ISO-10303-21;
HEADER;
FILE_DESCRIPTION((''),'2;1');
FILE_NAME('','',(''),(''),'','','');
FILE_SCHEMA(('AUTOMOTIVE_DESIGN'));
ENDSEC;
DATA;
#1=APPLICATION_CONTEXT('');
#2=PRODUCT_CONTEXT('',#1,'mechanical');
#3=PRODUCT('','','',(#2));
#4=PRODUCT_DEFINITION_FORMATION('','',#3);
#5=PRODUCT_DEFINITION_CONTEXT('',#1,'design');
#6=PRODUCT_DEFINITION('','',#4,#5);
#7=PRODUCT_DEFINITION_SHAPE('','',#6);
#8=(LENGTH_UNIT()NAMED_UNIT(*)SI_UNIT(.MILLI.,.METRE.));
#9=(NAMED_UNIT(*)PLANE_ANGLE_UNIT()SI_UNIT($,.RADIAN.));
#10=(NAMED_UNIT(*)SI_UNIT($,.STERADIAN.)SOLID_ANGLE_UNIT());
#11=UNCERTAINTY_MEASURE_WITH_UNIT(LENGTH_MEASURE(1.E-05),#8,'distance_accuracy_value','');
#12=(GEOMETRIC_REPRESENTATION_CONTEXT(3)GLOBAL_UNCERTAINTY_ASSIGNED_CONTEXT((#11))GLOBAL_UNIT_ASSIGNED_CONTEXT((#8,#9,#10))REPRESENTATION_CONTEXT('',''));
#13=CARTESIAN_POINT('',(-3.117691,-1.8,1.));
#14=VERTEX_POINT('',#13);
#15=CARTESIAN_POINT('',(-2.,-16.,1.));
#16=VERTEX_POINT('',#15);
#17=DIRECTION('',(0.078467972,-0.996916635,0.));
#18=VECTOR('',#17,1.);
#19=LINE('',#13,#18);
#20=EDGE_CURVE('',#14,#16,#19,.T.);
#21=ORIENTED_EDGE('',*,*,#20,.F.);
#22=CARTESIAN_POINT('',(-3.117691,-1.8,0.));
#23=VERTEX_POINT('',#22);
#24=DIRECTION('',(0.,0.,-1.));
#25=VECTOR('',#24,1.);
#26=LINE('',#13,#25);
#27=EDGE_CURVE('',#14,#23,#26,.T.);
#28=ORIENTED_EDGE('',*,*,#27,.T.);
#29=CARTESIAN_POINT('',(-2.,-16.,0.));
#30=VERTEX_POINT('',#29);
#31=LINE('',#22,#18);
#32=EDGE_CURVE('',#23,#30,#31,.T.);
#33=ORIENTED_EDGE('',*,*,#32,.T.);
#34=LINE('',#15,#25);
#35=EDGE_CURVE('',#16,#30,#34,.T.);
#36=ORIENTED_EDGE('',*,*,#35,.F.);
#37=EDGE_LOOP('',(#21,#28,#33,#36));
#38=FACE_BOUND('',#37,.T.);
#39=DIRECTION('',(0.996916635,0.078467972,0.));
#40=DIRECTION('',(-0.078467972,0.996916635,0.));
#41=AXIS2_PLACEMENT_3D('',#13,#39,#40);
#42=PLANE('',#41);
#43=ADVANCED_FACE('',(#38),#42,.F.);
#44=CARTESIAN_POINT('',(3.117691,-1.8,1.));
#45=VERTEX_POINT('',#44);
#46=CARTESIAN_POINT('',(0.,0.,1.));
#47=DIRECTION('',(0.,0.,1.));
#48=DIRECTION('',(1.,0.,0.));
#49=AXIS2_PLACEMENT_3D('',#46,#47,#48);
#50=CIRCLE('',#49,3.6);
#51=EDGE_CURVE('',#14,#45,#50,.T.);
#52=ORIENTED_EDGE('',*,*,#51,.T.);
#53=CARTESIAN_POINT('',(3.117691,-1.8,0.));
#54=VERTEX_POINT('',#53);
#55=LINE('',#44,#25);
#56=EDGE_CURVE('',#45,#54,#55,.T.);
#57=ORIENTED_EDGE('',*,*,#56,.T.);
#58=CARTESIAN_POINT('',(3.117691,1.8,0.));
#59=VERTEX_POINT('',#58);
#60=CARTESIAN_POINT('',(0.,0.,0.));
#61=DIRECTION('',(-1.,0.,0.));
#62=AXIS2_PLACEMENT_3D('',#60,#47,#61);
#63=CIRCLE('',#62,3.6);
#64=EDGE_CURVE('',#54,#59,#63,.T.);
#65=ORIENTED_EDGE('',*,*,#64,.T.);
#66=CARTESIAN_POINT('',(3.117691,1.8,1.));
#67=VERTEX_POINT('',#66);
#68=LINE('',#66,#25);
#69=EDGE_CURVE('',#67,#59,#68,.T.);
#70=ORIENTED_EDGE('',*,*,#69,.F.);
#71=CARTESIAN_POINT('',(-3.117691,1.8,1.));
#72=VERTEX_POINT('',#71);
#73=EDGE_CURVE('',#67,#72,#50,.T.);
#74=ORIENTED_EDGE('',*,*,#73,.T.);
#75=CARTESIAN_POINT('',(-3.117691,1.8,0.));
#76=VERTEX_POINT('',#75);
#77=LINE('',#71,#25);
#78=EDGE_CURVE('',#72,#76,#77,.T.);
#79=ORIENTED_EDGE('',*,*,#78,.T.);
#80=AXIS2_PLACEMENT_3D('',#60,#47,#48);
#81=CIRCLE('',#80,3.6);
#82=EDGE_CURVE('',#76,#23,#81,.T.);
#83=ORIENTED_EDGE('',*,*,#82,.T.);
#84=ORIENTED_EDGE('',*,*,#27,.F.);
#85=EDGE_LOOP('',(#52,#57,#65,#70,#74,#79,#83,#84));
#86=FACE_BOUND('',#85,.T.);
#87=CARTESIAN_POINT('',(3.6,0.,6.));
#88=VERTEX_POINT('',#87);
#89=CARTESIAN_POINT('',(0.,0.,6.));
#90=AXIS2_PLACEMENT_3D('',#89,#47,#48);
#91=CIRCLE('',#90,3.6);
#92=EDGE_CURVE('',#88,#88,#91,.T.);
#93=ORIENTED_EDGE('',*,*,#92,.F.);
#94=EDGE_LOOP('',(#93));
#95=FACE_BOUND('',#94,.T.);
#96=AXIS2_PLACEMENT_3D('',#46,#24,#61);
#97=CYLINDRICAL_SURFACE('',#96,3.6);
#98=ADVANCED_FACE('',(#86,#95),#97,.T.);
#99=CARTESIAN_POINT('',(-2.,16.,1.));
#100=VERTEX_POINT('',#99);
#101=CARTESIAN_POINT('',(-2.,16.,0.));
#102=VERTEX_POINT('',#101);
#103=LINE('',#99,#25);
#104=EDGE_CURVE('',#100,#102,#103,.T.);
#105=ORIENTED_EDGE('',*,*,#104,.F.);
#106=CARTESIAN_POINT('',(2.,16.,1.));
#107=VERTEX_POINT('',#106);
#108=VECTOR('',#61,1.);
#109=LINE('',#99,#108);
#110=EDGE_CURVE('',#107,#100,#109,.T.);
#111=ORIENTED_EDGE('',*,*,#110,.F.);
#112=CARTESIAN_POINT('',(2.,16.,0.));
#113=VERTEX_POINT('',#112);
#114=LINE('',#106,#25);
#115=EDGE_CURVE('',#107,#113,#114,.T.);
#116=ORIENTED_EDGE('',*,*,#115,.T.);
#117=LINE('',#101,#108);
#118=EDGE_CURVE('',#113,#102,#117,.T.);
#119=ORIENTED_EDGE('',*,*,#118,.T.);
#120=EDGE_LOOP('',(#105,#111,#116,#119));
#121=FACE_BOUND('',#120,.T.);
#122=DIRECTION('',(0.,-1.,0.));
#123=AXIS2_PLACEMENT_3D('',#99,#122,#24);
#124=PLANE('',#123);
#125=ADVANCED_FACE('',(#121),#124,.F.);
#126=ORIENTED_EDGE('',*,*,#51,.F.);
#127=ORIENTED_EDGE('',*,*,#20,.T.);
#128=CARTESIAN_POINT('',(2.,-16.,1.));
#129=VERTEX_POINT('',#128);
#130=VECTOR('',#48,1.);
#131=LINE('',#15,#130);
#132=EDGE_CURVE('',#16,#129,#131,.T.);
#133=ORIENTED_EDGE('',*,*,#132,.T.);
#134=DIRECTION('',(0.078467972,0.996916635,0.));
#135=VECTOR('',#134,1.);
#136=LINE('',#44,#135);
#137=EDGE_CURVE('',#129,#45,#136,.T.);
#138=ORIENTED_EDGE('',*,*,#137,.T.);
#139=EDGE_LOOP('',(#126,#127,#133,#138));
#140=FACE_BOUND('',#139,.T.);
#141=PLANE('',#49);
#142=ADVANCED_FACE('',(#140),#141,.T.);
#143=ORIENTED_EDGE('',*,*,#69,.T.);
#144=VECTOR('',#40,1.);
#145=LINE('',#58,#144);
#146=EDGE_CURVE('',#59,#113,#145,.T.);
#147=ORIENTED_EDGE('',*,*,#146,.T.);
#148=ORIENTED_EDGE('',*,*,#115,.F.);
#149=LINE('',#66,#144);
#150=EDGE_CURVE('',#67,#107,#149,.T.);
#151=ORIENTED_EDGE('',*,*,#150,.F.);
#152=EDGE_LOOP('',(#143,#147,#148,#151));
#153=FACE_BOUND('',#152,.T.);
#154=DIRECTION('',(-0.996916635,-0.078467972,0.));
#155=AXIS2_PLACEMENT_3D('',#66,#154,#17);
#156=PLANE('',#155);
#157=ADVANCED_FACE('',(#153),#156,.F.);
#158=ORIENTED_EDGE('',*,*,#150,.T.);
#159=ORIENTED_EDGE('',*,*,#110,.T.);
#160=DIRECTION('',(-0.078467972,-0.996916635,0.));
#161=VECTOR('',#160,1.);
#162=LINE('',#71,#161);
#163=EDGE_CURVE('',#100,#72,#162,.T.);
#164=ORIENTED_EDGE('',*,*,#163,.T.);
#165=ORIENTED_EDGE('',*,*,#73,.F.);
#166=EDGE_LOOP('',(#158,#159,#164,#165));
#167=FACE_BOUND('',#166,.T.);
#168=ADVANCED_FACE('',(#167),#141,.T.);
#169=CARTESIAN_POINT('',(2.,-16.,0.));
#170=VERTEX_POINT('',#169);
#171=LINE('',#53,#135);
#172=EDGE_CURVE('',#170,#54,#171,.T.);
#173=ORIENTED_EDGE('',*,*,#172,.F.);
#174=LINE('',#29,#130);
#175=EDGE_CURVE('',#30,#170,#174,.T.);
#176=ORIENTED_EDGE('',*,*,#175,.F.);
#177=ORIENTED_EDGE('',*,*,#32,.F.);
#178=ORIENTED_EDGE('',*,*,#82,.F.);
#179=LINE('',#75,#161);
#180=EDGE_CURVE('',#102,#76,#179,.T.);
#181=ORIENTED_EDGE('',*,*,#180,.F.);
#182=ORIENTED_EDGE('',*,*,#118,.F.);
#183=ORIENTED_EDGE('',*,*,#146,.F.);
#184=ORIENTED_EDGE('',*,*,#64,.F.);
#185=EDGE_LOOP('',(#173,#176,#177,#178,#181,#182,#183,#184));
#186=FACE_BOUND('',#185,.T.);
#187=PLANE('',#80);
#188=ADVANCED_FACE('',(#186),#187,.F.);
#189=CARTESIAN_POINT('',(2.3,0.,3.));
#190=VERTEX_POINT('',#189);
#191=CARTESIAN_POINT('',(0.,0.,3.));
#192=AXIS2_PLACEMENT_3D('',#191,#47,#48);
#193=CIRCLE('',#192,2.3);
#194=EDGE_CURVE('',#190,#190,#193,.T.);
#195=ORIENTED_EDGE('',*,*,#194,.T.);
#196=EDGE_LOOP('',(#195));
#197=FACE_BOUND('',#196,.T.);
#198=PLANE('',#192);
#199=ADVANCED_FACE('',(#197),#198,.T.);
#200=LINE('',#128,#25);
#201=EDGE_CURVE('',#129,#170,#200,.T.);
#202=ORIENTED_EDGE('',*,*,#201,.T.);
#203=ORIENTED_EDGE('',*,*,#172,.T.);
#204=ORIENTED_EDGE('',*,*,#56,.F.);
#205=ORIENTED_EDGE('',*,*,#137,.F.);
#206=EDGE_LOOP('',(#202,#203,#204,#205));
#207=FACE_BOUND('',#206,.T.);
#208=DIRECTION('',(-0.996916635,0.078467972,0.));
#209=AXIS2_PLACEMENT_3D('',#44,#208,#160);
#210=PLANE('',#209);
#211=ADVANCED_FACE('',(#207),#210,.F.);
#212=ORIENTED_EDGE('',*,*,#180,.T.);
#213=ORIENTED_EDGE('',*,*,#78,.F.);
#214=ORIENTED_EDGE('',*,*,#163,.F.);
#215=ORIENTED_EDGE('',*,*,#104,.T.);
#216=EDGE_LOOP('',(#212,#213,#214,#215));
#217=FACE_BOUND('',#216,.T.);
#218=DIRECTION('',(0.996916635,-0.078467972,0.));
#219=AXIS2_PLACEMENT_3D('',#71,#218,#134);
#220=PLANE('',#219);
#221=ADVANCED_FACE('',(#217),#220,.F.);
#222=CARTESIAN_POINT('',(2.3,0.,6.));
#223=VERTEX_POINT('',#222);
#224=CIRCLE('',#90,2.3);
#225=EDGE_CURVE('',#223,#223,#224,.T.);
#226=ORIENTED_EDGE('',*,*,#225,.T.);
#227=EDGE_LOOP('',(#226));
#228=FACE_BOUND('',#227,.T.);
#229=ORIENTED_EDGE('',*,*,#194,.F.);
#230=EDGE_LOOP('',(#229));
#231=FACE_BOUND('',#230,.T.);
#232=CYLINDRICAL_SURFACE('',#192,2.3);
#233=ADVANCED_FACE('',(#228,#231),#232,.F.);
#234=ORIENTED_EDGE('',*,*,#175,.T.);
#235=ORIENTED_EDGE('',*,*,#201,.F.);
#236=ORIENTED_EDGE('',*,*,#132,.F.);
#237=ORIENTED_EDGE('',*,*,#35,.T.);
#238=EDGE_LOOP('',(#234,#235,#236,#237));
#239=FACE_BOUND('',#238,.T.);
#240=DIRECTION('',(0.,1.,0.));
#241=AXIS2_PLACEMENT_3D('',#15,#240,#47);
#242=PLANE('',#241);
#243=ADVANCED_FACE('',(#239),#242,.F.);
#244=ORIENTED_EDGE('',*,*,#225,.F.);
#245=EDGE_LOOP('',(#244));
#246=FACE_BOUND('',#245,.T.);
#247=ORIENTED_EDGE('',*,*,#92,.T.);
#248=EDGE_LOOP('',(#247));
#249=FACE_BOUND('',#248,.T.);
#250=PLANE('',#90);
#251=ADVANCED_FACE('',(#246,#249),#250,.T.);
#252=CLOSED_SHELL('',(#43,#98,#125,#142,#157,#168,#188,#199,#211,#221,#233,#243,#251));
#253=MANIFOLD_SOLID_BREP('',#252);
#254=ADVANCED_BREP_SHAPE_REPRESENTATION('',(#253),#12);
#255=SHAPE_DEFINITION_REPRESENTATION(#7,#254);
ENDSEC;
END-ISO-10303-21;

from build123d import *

# Parameters (mm, degrees)
SALIENTE_EXTRUIR1_DEPTH = 1
CROQUIS2_R              = 3.6
SALIENTE_EXTRUIR2_DEPTH = 5
CROQUIS3_R              = 2.3
CORTAR_EXTRUIR1_DEPTH   = 3


with BuildPart() as part:
    # Croquis1 → Saliente-Extruir1 (new body)
    with BuildSketch(Plane.XY):
        with BuildLine():
            Line((-2, -16), (2, -16))
            Line((2, -16), (3.117691454, -1.8))
            ThreePointArc((3.117691454, -1.8), (3.6, 0), (3.117691454, 1.8))
            Line((3.117691454, 1.8), (2, 16))
            Line((2, 16), (-2, 16))
            Line((-2, 16), (-3.117691454, 1.8))
            ThreePointArc((-3.117691454, 1.8), (-3.6, 0), (-3.117691454, -1.8))
            Line((-3.117691454, -1.8), (-2, -16))
        make_face()
    extrude(amount=SALIENTE_EXTRUIR1_DEPTH)

    # Croquis2 → Saliente-Extruir2 (add)
    with BuildSketch(Plane.XY.offset(1)):
        Circle(CROQUIS2_R)
    extrude(amount=SALIENTE_EXTRUIR2_DEPTH)

    # Croquis3 → Cortar-Extruir1 (cut)
    with BuildSketch(Plane.XY.offset(6)):
        Circle(CROQUIS3_R)
    extrude(amount=-CORTAR_EXTRUIR1_DEPTH, mode=Mode.SUBTRACT)


solid = part.part
